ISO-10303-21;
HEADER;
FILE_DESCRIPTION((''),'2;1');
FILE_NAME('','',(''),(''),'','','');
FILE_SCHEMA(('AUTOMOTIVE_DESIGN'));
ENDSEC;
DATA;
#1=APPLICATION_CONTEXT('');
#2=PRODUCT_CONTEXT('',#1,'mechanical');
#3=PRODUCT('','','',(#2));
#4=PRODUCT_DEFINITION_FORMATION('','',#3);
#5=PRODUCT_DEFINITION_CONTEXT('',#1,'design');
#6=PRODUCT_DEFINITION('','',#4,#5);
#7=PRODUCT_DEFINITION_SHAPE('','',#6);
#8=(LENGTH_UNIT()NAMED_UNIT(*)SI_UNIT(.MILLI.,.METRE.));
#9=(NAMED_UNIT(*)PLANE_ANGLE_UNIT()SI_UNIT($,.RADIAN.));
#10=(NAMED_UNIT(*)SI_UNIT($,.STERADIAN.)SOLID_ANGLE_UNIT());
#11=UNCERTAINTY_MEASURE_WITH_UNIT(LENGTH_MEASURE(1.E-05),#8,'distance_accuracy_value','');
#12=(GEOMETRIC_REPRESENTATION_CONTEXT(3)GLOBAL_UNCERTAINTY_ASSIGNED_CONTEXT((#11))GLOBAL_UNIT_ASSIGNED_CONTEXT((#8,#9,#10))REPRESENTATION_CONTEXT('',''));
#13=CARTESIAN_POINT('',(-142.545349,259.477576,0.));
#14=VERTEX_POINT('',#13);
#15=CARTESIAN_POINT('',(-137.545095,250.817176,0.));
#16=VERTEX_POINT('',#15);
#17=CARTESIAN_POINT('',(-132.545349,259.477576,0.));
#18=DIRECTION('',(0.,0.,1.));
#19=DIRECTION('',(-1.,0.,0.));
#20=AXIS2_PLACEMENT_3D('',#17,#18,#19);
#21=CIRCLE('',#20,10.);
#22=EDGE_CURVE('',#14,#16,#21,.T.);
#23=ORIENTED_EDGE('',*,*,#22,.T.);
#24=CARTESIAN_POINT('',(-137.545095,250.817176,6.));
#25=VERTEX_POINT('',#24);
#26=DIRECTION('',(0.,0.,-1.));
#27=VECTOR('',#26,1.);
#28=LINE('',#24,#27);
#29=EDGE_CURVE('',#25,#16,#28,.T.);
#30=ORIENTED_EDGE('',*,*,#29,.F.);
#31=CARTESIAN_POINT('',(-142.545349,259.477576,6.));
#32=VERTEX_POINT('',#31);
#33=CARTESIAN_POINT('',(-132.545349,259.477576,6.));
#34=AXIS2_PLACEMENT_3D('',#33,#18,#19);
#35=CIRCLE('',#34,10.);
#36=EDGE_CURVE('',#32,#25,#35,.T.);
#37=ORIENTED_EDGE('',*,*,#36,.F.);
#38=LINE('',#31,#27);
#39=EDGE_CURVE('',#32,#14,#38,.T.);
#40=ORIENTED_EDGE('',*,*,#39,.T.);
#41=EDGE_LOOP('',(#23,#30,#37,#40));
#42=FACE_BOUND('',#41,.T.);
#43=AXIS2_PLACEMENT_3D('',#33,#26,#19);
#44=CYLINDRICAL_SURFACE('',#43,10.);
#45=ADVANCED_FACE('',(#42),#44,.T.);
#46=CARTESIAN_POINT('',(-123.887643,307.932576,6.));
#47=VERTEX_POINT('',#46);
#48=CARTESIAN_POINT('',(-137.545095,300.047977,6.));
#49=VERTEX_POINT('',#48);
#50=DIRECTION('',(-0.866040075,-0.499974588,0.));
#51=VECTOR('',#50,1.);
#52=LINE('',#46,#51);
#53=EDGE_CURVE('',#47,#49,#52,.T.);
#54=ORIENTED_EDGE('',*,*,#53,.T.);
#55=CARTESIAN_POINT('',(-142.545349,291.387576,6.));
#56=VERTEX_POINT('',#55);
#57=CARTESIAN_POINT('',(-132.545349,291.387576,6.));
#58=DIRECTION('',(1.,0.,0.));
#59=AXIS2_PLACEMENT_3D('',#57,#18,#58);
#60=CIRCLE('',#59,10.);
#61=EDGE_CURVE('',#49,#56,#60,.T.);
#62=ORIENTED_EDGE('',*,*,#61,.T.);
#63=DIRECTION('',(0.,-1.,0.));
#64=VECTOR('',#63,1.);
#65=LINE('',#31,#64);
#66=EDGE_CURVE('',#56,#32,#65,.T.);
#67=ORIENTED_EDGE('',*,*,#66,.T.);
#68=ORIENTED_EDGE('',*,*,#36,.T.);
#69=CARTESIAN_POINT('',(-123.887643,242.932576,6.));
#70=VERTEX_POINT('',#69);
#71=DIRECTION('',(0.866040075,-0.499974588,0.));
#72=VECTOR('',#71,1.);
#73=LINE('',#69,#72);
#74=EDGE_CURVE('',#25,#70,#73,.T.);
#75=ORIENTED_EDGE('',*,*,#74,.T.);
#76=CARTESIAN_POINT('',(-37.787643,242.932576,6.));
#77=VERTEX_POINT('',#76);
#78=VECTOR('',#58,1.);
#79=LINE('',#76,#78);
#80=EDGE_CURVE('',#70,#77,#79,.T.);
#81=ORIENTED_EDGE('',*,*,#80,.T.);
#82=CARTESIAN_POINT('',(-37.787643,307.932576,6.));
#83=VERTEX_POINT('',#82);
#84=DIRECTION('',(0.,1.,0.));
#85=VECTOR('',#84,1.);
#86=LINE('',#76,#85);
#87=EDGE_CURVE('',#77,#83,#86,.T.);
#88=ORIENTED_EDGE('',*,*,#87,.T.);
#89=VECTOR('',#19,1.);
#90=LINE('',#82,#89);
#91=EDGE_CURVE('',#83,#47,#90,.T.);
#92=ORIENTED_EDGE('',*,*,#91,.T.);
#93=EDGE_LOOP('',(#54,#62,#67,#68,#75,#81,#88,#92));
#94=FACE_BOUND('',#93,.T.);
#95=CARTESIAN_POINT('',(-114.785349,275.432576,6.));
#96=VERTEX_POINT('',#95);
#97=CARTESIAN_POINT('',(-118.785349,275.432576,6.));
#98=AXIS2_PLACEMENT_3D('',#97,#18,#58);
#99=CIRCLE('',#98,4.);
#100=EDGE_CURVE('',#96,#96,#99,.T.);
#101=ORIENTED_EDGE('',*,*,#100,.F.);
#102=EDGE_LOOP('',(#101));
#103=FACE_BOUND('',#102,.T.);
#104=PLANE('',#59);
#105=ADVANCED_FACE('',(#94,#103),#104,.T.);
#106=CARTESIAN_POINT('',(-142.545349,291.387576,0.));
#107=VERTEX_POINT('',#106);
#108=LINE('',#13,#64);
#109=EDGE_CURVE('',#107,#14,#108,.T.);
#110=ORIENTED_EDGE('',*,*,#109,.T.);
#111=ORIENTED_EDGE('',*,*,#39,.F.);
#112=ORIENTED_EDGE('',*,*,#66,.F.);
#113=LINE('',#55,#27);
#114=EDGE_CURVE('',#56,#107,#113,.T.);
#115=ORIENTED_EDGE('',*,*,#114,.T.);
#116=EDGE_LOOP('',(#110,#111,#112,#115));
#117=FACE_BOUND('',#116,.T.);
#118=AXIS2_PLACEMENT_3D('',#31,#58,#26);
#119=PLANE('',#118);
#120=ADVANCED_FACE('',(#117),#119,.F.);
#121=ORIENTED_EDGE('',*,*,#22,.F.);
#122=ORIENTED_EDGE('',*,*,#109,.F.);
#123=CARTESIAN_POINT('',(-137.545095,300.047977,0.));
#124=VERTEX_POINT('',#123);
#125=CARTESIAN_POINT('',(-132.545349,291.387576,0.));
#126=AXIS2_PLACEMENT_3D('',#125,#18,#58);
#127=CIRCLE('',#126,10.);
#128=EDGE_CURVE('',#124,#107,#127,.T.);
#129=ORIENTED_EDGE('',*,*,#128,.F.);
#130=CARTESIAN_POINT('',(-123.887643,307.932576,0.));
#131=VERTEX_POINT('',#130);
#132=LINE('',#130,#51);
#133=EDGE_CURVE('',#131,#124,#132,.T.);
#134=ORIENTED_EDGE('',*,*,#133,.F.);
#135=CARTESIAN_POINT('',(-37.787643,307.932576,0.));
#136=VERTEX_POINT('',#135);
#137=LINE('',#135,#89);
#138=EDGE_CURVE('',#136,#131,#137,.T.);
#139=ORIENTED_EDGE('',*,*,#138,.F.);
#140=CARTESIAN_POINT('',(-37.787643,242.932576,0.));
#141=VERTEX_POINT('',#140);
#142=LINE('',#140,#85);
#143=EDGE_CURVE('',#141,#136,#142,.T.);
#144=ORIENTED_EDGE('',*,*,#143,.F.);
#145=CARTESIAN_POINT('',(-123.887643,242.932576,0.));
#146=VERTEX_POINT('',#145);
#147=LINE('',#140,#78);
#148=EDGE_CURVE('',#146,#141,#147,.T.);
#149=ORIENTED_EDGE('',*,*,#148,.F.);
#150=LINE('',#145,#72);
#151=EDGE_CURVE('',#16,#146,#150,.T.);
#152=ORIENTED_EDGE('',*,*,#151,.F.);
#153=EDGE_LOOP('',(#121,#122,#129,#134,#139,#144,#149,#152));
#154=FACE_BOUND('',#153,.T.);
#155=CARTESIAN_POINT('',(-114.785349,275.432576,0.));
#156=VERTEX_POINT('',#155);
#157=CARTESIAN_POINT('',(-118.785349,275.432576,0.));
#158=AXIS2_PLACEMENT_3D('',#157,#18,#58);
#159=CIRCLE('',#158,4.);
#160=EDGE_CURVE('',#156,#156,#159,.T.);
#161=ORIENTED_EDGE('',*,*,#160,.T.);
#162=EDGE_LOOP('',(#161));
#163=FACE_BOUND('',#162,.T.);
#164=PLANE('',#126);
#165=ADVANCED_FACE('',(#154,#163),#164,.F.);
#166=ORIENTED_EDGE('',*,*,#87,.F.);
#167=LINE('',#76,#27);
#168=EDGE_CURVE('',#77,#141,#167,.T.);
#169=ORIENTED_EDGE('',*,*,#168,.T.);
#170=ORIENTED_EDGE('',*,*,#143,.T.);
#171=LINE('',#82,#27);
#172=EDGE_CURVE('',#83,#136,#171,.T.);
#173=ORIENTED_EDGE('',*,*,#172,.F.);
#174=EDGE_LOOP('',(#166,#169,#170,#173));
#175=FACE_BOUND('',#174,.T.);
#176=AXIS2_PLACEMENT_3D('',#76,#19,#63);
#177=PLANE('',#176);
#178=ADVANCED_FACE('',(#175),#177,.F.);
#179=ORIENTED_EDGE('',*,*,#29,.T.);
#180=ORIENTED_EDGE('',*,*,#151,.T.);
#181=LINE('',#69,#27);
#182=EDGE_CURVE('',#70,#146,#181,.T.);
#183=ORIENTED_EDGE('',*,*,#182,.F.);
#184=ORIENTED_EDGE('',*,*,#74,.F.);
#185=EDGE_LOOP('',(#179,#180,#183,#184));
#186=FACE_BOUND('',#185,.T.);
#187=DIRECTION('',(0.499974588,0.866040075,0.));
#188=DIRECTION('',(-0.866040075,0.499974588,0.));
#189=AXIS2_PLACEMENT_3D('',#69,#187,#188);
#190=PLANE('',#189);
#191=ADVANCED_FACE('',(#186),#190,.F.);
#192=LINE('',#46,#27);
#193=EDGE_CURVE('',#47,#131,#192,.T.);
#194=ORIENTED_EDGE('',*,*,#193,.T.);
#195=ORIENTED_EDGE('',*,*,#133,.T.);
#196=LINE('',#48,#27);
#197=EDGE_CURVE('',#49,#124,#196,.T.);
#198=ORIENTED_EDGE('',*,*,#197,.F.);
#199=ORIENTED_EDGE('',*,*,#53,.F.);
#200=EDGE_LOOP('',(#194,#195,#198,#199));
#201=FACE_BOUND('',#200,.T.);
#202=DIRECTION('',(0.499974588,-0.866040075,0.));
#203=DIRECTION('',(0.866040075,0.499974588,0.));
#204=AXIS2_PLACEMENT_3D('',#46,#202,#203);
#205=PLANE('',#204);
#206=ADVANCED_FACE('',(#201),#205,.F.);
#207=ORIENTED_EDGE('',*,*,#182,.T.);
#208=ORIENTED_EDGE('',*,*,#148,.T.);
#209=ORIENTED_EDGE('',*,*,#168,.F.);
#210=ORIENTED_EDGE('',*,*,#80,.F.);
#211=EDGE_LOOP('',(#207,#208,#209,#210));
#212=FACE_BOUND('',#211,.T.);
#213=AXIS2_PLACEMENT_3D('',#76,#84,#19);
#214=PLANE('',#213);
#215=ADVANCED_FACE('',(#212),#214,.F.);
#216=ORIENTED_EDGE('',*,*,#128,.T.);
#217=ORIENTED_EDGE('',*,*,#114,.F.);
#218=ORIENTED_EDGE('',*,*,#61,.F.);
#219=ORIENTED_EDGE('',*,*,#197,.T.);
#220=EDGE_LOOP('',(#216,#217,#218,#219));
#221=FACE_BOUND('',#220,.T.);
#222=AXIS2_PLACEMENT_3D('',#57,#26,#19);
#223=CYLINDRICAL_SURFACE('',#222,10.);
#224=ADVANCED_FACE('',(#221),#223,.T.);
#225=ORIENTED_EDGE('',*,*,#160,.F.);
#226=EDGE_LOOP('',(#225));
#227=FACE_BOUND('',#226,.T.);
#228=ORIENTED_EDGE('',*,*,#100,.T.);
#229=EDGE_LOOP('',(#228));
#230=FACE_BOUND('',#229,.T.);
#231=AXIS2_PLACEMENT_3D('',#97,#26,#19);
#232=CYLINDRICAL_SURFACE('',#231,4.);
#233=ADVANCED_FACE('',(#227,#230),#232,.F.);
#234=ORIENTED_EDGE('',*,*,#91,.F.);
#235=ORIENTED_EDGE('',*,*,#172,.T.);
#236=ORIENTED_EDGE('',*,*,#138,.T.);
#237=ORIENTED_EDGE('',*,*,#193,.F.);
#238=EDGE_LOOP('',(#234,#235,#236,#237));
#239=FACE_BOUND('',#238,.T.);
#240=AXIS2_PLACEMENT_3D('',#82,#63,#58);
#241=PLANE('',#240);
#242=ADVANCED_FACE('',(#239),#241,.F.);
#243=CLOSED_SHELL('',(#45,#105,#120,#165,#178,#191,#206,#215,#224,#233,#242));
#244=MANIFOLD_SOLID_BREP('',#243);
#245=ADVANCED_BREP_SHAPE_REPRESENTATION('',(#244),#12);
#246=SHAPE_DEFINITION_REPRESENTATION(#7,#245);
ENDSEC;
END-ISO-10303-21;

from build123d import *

# Parameters (mm, degrees)
SKETCH1_R           = 4
BOSS_EXTRUDE1_DEPTH = 6


with BuildPart() as part:
    # Sketch1 → Boss-Extrude1 (new body)
    with BuildSketch(Plane.XY):
        with BuildLine():
            Line((-37.787642532, 307.932576411), (-123.887642532, 307.932576411))
            Line((-123.887642532, 307.932576411), (-137.545094515, 300.047977161))
            ThreePointArc((-137.545094515, 300.047977161), (-141.205529316, 296.38770347), (-142.545348637, 291.387576411))
            Line((-142.545348637, 291.387576411), (-142.545348637, 259.477576411))
            ThreePointArc((-142.545348637, 259.477576411), (-141.205529316, 254.477449351), (-137.545094515, 250.817175661))
            Line((-137.545094515, 250.817175661), (-123.887642532, 242.932576411))
            Line((-123.887642532, 242.932576411), (-37.787642532, 242.932576411))
            Line((-37.787642532, 242.932576411), (-37.787642532, 307.932576411))
        make_face()
        with Locations((-118.785348637, 275.432576411)):
            Circle(SKETCH1_R, mode=Mode.SUBTRACT)
    extrude(amount=BOSS_EXTRUDE1_DEPTH)


solid = part.part
